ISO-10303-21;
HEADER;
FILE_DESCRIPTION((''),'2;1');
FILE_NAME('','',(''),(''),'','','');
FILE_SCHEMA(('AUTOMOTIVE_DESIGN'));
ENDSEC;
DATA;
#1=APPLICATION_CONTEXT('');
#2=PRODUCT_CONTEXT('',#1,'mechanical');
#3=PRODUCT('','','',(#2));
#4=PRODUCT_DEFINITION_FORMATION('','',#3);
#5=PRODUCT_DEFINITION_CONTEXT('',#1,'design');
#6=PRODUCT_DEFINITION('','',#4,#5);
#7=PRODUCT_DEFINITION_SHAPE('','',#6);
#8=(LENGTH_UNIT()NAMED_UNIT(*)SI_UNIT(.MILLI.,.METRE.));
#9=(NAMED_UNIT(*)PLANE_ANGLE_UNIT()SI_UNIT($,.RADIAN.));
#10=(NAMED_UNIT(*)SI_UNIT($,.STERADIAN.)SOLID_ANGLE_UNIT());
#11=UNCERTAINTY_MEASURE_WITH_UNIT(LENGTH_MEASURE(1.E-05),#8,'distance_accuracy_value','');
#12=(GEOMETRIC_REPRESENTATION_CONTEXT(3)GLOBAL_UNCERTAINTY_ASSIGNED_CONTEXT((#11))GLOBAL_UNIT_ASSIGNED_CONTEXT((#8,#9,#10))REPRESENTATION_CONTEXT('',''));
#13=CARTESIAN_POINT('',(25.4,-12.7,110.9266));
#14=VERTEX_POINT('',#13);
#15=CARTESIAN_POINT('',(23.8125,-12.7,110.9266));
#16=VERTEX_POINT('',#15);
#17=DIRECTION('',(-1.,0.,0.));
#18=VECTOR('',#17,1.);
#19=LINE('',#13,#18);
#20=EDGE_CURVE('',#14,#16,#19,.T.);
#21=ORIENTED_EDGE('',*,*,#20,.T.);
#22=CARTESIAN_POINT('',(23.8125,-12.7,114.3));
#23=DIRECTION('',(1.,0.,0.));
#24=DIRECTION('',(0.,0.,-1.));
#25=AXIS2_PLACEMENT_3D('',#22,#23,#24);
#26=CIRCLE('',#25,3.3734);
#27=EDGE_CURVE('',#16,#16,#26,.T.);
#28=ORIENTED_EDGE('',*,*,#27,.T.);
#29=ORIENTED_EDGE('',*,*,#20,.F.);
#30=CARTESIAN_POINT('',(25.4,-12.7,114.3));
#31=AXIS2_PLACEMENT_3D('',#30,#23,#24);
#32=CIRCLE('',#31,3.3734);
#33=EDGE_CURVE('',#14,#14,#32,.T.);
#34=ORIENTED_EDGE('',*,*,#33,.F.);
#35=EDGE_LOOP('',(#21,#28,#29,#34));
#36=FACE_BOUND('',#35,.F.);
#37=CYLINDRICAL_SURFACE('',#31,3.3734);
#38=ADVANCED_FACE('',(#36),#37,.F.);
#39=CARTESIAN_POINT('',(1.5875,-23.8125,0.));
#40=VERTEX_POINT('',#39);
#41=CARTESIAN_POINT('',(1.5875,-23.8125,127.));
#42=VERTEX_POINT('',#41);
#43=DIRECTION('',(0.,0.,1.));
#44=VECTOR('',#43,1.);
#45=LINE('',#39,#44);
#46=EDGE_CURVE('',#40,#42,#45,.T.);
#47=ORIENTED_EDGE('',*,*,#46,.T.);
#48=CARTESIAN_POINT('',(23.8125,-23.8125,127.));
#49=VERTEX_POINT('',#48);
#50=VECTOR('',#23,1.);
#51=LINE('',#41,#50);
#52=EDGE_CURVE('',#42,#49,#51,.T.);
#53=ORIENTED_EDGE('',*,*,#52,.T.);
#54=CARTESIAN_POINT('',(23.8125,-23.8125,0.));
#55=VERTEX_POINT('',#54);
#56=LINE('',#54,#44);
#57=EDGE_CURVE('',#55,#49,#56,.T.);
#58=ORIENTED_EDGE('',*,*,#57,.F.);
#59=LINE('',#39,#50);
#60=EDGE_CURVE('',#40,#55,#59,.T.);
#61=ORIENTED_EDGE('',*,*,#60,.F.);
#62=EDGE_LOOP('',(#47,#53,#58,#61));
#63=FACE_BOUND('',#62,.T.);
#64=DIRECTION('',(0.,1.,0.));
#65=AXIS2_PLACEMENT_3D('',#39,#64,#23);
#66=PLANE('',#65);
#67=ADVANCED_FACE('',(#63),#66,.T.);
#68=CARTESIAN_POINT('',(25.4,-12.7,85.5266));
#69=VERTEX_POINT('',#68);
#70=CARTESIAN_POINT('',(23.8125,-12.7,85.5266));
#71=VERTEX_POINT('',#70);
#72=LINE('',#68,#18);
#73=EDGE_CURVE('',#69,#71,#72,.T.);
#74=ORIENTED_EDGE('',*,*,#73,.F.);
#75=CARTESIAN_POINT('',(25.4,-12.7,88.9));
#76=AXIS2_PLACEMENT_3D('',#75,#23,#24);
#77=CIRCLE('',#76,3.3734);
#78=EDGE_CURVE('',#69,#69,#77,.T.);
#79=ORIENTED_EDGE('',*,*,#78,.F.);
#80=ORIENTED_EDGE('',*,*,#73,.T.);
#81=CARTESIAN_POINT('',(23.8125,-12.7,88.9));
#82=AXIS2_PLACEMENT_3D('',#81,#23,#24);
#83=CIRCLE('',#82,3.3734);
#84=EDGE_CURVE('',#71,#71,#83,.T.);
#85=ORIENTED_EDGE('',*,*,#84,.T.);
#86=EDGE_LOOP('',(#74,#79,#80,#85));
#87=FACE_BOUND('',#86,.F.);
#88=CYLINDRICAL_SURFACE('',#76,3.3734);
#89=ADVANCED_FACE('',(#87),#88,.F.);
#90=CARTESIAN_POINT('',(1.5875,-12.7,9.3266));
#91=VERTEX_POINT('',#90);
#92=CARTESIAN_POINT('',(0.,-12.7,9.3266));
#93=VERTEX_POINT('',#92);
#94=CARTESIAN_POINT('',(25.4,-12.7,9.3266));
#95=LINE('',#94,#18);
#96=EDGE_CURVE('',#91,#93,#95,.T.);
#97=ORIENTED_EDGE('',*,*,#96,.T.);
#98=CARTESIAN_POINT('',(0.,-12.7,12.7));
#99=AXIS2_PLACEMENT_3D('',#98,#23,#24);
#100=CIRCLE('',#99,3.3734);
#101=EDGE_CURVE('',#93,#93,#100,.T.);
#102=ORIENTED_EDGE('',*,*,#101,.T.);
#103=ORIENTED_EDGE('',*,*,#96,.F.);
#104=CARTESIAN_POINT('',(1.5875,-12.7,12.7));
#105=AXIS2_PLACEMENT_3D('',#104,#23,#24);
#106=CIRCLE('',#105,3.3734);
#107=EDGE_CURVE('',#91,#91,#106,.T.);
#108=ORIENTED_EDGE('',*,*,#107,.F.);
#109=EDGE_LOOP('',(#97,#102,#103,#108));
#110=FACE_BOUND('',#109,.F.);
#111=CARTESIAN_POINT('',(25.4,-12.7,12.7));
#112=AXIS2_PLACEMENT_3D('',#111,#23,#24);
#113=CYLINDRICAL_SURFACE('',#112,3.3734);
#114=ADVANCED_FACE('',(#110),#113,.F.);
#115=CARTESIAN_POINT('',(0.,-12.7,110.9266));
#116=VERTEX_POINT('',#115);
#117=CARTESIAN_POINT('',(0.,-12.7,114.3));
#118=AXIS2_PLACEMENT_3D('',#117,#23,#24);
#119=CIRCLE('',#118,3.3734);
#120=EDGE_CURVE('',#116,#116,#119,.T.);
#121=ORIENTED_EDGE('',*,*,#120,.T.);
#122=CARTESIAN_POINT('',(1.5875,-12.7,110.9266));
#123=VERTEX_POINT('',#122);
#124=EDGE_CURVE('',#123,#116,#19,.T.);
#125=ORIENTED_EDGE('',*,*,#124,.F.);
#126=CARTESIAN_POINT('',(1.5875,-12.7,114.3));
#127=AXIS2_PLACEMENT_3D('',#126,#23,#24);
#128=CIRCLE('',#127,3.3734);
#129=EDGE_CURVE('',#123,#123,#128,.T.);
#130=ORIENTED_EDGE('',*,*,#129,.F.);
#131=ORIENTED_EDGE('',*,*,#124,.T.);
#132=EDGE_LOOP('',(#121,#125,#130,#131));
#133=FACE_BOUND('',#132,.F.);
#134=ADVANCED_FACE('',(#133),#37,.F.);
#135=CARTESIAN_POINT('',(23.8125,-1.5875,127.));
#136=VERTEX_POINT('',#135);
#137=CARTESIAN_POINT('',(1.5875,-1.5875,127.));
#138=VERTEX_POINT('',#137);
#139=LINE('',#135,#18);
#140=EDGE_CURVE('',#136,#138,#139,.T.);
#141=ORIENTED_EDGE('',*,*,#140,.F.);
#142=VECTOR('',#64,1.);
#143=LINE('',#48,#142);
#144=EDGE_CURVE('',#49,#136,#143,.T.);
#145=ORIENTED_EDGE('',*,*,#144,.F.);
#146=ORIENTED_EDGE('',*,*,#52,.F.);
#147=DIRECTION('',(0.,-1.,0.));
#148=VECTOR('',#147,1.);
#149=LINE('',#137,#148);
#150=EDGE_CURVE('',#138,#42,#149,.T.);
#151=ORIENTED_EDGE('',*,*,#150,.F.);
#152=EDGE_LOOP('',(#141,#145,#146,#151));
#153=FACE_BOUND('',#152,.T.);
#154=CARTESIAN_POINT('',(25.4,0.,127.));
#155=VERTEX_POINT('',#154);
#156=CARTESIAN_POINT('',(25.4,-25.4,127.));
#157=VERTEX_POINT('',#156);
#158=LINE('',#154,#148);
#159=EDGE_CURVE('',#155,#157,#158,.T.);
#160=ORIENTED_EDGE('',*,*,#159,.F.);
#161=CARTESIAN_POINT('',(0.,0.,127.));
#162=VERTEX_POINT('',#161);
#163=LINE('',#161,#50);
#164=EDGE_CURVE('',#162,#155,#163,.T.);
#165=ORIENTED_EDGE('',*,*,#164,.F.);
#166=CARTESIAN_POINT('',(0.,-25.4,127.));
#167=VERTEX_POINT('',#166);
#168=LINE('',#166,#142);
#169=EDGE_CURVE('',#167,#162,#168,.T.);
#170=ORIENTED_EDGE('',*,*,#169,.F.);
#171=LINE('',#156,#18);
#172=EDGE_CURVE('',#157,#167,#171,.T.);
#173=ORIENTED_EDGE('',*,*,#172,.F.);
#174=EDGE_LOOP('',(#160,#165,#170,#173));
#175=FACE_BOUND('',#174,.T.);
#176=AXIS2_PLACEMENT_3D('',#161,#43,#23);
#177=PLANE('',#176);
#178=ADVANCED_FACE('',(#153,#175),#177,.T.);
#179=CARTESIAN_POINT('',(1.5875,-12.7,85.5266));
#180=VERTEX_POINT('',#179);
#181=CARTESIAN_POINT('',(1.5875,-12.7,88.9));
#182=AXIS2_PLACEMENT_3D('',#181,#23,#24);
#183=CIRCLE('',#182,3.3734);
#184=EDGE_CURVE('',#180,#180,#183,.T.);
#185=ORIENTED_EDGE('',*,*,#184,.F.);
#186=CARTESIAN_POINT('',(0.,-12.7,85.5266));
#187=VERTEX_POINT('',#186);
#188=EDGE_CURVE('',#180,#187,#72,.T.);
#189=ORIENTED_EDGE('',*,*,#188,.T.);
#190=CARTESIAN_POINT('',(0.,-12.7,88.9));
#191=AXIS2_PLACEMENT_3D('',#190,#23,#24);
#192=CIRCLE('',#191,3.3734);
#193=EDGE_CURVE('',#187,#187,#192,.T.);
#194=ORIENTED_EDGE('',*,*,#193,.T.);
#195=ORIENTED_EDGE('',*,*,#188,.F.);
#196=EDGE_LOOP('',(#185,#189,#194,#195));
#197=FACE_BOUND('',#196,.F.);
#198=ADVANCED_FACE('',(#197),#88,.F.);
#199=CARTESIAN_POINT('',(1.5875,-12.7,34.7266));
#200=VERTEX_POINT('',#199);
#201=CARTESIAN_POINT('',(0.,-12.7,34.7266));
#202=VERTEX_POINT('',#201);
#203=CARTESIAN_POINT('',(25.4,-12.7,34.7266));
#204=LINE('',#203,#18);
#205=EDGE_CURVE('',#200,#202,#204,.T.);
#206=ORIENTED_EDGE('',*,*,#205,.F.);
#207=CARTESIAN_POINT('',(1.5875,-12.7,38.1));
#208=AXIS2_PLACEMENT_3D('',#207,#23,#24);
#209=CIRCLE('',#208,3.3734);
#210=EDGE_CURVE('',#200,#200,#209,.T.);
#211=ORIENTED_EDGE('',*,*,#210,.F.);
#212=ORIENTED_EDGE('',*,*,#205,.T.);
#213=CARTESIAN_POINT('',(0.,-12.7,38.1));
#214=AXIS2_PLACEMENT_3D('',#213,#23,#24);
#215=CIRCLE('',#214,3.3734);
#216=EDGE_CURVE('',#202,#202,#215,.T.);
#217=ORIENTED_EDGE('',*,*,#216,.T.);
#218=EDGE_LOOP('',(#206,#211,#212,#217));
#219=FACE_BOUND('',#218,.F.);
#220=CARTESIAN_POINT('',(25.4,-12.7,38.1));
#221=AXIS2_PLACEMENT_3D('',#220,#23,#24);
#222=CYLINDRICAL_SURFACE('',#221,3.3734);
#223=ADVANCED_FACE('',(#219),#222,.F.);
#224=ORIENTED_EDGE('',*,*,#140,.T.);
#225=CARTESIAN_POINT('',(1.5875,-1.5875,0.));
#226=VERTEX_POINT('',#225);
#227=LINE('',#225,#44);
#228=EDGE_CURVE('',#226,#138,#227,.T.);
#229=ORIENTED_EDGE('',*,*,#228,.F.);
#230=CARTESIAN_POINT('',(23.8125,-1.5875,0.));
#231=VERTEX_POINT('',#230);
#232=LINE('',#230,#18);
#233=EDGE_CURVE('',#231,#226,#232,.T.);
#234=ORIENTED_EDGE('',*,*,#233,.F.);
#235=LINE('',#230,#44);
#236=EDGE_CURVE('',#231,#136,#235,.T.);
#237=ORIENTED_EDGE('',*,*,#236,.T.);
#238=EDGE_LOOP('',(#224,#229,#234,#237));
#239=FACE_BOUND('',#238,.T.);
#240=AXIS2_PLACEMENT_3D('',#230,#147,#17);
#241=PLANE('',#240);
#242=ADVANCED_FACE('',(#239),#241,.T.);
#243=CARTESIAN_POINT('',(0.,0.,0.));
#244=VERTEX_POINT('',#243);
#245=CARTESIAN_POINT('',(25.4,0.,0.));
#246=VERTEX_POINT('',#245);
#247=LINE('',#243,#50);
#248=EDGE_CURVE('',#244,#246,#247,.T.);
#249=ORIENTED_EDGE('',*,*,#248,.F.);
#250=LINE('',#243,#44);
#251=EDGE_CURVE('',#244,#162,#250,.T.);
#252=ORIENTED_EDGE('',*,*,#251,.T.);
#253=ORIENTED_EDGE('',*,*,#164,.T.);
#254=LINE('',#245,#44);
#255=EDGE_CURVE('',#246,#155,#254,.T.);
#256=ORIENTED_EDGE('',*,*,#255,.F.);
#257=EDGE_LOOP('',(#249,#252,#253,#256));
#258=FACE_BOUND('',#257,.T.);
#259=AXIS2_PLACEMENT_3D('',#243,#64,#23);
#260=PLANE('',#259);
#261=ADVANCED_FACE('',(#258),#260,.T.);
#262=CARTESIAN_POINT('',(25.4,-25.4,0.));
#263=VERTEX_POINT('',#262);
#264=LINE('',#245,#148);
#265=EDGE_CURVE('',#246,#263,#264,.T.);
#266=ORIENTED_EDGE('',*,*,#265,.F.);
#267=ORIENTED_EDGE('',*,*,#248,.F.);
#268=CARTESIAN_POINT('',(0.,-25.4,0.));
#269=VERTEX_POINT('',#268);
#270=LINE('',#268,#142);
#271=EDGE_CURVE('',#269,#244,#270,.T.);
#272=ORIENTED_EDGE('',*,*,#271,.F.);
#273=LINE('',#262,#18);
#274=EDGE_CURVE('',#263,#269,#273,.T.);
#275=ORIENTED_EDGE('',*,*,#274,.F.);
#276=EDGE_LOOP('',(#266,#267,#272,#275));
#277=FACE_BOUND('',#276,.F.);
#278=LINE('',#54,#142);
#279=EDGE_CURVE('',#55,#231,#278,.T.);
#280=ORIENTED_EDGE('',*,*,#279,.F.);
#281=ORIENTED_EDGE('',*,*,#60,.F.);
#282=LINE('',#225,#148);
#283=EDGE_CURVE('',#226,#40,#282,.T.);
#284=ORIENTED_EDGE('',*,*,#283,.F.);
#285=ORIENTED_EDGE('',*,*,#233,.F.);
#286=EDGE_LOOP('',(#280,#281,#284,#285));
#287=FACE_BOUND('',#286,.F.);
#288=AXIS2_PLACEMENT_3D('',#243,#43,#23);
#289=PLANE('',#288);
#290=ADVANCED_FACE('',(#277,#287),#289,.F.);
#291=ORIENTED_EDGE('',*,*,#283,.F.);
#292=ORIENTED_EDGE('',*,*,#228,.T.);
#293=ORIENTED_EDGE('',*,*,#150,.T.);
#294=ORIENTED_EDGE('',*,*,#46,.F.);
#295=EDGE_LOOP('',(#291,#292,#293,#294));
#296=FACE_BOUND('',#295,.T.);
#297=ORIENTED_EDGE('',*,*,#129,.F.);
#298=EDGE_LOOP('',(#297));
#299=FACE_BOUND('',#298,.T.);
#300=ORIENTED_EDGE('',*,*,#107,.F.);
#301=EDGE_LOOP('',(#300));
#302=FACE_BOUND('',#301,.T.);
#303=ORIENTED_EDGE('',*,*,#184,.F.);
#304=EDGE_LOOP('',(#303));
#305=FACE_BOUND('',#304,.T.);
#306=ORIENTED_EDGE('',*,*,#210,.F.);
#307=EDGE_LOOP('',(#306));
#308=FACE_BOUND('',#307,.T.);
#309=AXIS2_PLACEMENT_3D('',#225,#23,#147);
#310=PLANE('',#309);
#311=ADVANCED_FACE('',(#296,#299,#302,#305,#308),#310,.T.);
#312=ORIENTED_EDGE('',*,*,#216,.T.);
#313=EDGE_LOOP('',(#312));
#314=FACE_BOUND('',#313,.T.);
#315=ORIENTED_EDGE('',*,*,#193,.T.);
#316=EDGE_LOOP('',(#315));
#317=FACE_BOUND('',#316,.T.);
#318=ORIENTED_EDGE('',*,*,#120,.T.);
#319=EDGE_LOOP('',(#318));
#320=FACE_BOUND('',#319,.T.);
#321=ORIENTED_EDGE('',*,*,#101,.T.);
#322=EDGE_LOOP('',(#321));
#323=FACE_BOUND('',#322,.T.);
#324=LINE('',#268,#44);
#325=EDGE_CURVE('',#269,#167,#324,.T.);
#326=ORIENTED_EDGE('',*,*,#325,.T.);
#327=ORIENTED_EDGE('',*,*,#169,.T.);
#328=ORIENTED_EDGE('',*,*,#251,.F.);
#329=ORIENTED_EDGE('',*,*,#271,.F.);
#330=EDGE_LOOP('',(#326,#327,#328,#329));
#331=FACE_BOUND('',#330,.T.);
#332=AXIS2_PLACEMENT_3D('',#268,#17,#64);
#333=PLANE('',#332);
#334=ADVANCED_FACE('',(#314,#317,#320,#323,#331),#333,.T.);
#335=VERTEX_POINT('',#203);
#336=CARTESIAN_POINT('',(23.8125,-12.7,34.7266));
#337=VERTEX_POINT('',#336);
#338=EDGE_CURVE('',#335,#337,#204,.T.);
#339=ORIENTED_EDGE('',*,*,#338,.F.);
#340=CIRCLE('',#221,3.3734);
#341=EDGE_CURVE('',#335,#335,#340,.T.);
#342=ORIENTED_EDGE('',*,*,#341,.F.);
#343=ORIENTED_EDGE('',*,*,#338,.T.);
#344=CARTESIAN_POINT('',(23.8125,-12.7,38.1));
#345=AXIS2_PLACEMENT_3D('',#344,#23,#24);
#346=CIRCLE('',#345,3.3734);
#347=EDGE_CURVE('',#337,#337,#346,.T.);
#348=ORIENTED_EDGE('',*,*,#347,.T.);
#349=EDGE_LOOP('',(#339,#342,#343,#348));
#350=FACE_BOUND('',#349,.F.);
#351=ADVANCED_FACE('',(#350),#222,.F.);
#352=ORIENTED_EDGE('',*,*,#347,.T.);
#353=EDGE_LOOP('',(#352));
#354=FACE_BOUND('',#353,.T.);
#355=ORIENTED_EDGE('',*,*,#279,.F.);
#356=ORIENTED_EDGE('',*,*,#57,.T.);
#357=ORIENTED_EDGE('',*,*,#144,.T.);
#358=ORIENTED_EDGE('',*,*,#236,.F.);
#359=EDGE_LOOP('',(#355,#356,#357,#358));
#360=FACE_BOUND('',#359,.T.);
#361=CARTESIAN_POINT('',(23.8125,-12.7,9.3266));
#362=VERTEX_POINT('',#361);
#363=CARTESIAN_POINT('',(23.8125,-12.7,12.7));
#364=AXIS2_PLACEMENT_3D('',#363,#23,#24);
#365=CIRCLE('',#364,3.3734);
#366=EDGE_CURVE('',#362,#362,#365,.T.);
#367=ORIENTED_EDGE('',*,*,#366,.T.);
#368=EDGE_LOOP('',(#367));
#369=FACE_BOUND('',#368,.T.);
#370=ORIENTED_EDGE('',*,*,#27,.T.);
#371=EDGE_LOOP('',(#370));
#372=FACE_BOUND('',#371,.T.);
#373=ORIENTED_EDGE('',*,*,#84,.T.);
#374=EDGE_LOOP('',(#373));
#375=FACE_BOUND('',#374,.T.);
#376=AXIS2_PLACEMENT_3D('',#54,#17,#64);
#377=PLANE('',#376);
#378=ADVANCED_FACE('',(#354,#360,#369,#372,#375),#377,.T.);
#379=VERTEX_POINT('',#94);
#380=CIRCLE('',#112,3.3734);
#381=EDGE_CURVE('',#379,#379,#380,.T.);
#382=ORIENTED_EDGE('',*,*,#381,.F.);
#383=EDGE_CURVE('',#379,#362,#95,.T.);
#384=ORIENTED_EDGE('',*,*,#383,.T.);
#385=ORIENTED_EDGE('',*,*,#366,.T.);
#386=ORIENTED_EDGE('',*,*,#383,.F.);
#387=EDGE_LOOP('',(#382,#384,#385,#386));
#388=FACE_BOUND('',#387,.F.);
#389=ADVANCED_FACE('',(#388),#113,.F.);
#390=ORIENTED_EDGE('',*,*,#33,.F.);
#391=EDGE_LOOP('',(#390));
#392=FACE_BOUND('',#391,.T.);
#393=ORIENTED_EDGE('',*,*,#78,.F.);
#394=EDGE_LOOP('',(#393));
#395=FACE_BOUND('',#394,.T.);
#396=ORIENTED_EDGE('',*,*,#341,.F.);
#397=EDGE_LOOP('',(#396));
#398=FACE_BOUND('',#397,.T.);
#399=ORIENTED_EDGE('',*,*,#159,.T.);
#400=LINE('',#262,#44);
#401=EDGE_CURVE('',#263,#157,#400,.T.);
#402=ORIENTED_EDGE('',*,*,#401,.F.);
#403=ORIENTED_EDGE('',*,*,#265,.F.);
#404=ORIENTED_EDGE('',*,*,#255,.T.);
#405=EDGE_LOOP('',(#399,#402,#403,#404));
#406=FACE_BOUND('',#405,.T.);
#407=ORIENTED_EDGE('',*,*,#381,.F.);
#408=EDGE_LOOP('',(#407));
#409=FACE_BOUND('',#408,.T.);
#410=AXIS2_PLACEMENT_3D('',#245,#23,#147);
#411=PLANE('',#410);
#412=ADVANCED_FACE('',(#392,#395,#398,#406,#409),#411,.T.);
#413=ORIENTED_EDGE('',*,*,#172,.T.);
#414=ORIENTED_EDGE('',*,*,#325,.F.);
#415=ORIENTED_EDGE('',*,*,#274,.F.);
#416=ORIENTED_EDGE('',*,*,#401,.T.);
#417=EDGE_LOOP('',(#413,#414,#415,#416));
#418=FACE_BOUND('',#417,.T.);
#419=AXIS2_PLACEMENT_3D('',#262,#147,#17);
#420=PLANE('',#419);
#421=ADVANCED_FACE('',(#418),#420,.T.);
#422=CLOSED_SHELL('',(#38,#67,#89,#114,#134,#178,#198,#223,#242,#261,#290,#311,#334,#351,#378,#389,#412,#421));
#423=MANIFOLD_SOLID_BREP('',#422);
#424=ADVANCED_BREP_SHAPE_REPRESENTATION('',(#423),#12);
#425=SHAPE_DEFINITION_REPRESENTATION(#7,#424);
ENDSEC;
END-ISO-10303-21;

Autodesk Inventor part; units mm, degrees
ref_plane "YZ Plane" through (0, 0, 0) normal (1, 0, 0) x (0, 1, 0)
ref_plane "XZ Plane" through (0, 0, 0) normal (0, 1, 0) x (-1, 0, 0)
ref_plane "XY Plane" through (0, 0, 0) normal (0, 0, 1) x (1, 0, 0)
sketch "Sketch1" plane through (0, 0, 0) normal (0, 0, 1) x (1, 0, 0)
  line L0 (0, 0) -> (25.4, 0)
  line L1 (25.4, 0) -> (25.4, -25.4)
  line L2 (25.4, -25.4) -> (0, -25.4)
  line L3 (0, -25.4) -> (0, 0)
  line L4 (1.5875, -23.8125) -> (23.8125, -23.8125)
  line L5 (23.8125, -23.8125) -> (23.8125, -1.5875)
  line L6 (23.8125, -1.5875) -> (1.5875, -1.5875)
  line L7 (1.5875, -1.5875) -> (1.5875, -23.8125)
  dimension "d0" = 25.4
  dimension "d1" = 25.4
  dimension "d2" = 1.5875
extrude "Extrusion1" add sketch "Sketch1" along normal blind 127
sketch "Sketch2" plane through (25.4, -25.4, 0) normal (1, 0, 0) x (0, 0, -1)
  circle A0 centre (-12.7, 12.7) radius 3.3734
  circle A1 centre (-38.1, 12.7) radius 3.3734
  circle A2 centre (-88.9, 12.7) radius 3.3734
  circle A3 centre (-114.3, 12.7) radius 3.3734
  line L0 (0, 25.4) -> (0, 0) projected
  line L1 (0, 25.4) -> (-127, 25.4) projected
  line L2 (0, 0) -> (-127, 0) projected
  line L3 (-127, 0) -> (-127, 25.4) projected
  dimension "d5" = 6.7469
  dimension "d7" = 12.7
  dimension "d8" = 12.7
  dimension "d9" = 12.7
  dimension "d10" = 38.1
  dimension "d11" = 12.7
  dimension "d12" = 38.1
  dimension "d13" = 12.7
  dimension "d14" = 12.7
extrude "Extrusion2" cut sketch "Sketch2" against normal blind 25.4 contours A0 | A1 | A2 | A3
properties part number "vertical support" material "Aluminum 6061"
